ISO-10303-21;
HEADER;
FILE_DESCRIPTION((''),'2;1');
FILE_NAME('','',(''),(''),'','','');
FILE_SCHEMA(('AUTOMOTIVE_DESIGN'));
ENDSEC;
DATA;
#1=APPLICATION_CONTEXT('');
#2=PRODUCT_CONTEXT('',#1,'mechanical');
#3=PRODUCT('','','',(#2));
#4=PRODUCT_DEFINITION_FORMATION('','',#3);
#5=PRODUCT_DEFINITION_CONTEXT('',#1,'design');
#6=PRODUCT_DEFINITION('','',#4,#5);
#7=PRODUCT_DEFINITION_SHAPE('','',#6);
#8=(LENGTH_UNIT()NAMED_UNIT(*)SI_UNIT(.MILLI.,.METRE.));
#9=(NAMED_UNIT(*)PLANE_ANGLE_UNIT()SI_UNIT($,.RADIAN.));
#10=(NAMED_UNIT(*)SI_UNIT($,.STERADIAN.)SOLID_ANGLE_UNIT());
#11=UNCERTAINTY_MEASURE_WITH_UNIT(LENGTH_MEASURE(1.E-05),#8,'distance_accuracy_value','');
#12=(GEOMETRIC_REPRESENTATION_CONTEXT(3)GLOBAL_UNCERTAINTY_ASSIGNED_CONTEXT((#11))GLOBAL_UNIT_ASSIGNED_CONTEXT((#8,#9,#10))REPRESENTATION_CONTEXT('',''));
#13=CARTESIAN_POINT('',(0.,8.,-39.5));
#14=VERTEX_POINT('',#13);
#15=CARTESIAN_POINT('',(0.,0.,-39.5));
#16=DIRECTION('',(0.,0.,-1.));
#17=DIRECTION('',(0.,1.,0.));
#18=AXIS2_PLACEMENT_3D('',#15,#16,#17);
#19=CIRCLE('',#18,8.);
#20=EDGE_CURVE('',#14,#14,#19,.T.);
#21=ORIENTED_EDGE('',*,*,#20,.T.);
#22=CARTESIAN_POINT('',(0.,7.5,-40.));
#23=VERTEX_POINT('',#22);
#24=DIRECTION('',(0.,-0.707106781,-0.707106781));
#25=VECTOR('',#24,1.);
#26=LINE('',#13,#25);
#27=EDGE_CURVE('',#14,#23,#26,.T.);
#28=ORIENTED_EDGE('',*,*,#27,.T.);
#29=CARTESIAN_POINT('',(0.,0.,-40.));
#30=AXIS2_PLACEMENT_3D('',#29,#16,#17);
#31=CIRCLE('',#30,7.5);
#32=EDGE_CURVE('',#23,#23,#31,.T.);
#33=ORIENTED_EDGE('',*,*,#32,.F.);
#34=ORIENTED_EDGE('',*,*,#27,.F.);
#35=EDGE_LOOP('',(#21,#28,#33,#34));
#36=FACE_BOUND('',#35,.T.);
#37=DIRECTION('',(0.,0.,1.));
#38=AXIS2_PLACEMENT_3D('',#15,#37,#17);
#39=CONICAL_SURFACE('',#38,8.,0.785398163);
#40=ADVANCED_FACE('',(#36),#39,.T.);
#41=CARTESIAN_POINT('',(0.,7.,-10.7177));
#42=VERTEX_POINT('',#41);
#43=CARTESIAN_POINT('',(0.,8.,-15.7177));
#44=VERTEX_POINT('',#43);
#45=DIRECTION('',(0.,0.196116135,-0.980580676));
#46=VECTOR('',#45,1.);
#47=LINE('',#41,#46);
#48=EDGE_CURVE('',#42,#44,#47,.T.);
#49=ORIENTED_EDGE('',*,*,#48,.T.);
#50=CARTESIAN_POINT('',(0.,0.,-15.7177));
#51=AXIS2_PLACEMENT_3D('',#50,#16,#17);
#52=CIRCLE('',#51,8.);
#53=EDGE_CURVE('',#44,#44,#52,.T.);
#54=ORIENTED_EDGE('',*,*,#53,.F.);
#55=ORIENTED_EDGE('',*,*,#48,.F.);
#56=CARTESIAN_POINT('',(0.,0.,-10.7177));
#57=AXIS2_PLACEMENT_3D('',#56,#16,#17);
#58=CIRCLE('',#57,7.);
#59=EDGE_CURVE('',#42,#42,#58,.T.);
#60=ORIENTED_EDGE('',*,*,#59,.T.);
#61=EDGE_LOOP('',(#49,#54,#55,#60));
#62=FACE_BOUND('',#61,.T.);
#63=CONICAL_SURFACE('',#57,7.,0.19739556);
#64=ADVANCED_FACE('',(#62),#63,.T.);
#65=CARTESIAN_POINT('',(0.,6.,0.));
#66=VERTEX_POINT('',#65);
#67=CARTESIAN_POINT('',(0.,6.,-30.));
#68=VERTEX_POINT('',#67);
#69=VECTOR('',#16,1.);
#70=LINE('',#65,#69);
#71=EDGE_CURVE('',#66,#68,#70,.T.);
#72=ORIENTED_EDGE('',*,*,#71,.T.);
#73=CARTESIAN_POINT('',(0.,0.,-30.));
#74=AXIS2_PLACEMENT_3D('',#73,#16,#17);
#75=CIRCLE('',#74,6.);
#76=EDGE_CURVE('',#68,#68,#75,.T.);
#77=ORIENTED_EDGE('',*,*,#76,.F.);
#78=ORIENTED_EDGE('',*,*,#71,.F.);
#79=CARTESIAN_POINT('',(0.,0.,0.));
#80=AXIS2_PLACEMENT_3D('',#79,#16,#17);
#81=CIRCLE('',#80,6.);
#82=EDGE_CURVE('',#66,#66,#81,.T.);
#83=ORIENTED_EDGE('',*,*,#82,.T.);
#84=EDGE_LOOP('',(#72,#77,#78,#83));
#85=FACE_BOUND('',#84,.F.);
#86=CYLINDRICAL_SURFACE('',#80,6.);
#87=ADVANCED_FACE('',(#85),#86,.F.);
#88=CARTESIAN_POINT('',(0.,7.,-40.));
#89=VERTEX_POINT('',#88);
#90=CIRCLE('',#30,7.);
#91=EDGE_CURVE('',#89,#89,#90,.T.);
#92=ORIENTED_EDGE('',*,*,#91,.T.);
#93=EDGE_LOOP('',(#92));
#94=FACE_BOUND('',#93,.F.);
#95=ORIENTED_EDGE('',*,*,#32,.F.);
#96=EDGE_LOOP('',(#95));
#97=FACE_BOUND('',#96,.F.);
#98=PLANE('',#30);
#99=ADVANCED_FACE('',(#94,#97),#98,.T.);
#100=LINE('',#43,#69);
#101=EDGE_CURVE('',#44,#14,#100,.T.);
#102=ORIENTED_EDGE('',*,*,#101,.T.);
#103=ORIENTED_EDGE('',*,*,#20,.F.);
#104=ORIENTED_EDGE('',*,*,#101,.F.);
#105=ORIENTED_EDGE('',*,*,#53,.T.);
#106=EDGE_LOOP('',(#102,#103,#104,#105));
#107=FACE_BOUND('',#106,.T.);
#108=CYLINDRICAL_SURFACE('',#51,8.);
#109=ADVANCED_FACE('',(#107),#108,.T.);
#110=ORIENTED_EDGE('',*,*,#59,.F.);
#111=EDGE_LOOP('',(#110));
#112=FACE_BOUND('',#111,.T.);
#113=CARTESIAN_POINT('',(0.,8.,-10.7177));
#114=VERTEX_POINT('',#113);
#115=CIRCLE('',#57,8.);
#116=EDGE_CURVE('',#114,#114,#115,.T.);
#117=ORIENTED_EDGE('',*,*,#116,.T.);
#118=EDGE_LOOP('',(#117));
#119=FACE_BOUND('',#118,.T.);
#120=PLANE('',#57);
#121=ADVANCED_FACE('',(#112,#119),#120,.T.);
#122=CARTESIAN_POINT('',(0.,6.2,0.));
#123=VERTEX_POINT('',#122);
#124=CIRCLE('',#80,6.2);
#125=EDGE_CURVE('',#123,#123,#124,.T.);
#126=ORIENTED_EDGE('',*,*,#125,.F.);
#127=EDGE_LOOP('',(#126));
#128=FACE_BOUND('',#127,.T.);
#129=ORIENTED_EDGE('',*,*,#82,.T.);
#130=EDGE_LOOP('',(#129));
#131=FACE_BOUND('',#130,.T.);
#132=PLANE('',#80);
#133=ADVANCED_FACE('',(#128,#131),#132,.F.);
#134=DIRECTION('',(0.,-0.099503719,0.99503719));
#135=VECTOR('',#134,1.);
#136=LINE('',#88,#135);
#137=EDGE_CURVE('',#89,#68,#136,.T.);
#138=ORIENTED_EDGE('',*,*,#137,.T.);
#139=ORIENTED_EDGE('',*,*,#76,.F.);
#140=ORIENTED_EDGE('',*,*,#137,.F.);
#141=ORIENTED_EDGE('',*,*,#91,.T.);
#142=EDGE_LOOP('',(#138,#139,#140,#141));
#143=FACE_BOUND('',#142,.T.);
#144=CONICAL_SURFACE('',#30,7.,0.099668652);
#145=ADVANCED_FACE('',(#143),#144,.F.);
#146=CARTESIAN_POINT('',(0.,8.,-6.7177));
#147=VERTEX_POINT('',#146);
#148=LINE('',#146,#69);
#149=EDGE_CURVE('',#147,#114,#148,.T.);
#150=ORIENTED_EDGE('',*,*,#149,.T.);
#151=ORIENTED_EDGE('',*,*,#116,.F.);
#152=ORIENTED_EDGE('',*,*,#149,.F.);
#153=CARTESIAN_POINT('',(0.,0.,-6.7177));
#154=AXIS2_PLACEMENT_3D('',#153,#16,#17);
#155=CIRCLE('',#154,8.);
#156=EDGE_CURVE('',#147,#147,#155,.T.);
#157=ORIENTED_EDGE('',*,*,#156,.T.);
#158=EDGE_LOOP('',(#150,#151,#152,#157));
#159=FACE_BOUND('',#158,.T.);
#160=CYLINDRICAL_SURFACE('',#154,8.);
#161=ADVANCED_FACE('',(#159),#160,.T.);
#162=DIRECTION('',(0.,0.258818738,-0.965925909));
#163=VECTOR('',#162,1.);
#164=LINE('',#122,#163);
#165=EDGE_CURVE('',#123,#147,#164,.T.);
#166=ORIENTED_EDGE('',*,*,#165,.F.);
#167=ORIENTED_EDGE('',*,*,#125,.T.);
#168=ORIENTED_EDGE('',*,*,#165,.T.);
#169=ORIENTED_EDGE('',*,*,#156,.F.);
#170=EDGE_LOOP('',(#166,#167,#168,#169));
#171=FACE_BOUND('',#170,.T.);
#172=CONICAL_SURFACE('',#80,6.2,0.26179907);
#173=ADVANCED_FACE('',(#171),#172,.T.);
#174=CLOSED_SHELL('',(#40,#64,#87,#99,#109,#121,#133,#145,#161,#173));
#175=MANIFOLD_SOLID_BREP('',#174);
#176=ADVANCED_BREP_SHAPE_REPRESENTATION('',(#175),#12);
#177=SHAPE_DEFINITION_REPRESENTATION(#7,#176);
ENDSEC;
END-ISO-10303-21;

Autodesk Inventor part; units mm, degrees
ref_plane "YZ Plane" through (0, 0, 0) normal (1, 0, 0) x (0, 1, 0)
ref_plane "XZ Plane" through (0, 0, 0) normal (0, 1, 0) x (-1, 0, 0)
ref_plane "XY Plane" through (0, 0, 0) normal (0, 0, 1) x (1, 0, 0)
sketch "Esquisse1" plane through (0, 0, 0) normal (1, 0, 0) x (0, 1, 0)
  line L0 (0, 0) -> (0, -10.1548)
  line L1 (6, 0) -> (6, -30)
  line L2 (6, 0) -> (6.2, 0)
  line L3 (6.2, 0) -> (8, -6.7177)
  line L4 (8, -6.7177) -> (8, -10.7177)
  line L5 (7, -40) -> (8, -40)
  line L6 (7, -40) -> (6, -30)
  line L7 (8, -10.7177) -> (7, -10.7177)
  line L8 (7, -10.7177) -> (8, -15.7177)
  line L9 (8, -15.7177) -> (8, -40)
  dimension "d4" = 12
  dimension "d5" = 0.2
  dimension "d6" = 40
  dimension "d10" = 165
  dimension "d11" = 16
  dimension "d15" = 10
  dimension "d16" = 14
  dimension "d17" = 5
  dimension "d18" = 1
  dimension "d19" = 4
revolve "Révolution1" add sketch "Esquisse1" angle 360 about axis through (0, 0, 0) along (0, 0, -1)
chamfer "Chanfrein1" distance 0.5 angle 45 1 edges at (0, -8, -40)
properties part number "douille"
